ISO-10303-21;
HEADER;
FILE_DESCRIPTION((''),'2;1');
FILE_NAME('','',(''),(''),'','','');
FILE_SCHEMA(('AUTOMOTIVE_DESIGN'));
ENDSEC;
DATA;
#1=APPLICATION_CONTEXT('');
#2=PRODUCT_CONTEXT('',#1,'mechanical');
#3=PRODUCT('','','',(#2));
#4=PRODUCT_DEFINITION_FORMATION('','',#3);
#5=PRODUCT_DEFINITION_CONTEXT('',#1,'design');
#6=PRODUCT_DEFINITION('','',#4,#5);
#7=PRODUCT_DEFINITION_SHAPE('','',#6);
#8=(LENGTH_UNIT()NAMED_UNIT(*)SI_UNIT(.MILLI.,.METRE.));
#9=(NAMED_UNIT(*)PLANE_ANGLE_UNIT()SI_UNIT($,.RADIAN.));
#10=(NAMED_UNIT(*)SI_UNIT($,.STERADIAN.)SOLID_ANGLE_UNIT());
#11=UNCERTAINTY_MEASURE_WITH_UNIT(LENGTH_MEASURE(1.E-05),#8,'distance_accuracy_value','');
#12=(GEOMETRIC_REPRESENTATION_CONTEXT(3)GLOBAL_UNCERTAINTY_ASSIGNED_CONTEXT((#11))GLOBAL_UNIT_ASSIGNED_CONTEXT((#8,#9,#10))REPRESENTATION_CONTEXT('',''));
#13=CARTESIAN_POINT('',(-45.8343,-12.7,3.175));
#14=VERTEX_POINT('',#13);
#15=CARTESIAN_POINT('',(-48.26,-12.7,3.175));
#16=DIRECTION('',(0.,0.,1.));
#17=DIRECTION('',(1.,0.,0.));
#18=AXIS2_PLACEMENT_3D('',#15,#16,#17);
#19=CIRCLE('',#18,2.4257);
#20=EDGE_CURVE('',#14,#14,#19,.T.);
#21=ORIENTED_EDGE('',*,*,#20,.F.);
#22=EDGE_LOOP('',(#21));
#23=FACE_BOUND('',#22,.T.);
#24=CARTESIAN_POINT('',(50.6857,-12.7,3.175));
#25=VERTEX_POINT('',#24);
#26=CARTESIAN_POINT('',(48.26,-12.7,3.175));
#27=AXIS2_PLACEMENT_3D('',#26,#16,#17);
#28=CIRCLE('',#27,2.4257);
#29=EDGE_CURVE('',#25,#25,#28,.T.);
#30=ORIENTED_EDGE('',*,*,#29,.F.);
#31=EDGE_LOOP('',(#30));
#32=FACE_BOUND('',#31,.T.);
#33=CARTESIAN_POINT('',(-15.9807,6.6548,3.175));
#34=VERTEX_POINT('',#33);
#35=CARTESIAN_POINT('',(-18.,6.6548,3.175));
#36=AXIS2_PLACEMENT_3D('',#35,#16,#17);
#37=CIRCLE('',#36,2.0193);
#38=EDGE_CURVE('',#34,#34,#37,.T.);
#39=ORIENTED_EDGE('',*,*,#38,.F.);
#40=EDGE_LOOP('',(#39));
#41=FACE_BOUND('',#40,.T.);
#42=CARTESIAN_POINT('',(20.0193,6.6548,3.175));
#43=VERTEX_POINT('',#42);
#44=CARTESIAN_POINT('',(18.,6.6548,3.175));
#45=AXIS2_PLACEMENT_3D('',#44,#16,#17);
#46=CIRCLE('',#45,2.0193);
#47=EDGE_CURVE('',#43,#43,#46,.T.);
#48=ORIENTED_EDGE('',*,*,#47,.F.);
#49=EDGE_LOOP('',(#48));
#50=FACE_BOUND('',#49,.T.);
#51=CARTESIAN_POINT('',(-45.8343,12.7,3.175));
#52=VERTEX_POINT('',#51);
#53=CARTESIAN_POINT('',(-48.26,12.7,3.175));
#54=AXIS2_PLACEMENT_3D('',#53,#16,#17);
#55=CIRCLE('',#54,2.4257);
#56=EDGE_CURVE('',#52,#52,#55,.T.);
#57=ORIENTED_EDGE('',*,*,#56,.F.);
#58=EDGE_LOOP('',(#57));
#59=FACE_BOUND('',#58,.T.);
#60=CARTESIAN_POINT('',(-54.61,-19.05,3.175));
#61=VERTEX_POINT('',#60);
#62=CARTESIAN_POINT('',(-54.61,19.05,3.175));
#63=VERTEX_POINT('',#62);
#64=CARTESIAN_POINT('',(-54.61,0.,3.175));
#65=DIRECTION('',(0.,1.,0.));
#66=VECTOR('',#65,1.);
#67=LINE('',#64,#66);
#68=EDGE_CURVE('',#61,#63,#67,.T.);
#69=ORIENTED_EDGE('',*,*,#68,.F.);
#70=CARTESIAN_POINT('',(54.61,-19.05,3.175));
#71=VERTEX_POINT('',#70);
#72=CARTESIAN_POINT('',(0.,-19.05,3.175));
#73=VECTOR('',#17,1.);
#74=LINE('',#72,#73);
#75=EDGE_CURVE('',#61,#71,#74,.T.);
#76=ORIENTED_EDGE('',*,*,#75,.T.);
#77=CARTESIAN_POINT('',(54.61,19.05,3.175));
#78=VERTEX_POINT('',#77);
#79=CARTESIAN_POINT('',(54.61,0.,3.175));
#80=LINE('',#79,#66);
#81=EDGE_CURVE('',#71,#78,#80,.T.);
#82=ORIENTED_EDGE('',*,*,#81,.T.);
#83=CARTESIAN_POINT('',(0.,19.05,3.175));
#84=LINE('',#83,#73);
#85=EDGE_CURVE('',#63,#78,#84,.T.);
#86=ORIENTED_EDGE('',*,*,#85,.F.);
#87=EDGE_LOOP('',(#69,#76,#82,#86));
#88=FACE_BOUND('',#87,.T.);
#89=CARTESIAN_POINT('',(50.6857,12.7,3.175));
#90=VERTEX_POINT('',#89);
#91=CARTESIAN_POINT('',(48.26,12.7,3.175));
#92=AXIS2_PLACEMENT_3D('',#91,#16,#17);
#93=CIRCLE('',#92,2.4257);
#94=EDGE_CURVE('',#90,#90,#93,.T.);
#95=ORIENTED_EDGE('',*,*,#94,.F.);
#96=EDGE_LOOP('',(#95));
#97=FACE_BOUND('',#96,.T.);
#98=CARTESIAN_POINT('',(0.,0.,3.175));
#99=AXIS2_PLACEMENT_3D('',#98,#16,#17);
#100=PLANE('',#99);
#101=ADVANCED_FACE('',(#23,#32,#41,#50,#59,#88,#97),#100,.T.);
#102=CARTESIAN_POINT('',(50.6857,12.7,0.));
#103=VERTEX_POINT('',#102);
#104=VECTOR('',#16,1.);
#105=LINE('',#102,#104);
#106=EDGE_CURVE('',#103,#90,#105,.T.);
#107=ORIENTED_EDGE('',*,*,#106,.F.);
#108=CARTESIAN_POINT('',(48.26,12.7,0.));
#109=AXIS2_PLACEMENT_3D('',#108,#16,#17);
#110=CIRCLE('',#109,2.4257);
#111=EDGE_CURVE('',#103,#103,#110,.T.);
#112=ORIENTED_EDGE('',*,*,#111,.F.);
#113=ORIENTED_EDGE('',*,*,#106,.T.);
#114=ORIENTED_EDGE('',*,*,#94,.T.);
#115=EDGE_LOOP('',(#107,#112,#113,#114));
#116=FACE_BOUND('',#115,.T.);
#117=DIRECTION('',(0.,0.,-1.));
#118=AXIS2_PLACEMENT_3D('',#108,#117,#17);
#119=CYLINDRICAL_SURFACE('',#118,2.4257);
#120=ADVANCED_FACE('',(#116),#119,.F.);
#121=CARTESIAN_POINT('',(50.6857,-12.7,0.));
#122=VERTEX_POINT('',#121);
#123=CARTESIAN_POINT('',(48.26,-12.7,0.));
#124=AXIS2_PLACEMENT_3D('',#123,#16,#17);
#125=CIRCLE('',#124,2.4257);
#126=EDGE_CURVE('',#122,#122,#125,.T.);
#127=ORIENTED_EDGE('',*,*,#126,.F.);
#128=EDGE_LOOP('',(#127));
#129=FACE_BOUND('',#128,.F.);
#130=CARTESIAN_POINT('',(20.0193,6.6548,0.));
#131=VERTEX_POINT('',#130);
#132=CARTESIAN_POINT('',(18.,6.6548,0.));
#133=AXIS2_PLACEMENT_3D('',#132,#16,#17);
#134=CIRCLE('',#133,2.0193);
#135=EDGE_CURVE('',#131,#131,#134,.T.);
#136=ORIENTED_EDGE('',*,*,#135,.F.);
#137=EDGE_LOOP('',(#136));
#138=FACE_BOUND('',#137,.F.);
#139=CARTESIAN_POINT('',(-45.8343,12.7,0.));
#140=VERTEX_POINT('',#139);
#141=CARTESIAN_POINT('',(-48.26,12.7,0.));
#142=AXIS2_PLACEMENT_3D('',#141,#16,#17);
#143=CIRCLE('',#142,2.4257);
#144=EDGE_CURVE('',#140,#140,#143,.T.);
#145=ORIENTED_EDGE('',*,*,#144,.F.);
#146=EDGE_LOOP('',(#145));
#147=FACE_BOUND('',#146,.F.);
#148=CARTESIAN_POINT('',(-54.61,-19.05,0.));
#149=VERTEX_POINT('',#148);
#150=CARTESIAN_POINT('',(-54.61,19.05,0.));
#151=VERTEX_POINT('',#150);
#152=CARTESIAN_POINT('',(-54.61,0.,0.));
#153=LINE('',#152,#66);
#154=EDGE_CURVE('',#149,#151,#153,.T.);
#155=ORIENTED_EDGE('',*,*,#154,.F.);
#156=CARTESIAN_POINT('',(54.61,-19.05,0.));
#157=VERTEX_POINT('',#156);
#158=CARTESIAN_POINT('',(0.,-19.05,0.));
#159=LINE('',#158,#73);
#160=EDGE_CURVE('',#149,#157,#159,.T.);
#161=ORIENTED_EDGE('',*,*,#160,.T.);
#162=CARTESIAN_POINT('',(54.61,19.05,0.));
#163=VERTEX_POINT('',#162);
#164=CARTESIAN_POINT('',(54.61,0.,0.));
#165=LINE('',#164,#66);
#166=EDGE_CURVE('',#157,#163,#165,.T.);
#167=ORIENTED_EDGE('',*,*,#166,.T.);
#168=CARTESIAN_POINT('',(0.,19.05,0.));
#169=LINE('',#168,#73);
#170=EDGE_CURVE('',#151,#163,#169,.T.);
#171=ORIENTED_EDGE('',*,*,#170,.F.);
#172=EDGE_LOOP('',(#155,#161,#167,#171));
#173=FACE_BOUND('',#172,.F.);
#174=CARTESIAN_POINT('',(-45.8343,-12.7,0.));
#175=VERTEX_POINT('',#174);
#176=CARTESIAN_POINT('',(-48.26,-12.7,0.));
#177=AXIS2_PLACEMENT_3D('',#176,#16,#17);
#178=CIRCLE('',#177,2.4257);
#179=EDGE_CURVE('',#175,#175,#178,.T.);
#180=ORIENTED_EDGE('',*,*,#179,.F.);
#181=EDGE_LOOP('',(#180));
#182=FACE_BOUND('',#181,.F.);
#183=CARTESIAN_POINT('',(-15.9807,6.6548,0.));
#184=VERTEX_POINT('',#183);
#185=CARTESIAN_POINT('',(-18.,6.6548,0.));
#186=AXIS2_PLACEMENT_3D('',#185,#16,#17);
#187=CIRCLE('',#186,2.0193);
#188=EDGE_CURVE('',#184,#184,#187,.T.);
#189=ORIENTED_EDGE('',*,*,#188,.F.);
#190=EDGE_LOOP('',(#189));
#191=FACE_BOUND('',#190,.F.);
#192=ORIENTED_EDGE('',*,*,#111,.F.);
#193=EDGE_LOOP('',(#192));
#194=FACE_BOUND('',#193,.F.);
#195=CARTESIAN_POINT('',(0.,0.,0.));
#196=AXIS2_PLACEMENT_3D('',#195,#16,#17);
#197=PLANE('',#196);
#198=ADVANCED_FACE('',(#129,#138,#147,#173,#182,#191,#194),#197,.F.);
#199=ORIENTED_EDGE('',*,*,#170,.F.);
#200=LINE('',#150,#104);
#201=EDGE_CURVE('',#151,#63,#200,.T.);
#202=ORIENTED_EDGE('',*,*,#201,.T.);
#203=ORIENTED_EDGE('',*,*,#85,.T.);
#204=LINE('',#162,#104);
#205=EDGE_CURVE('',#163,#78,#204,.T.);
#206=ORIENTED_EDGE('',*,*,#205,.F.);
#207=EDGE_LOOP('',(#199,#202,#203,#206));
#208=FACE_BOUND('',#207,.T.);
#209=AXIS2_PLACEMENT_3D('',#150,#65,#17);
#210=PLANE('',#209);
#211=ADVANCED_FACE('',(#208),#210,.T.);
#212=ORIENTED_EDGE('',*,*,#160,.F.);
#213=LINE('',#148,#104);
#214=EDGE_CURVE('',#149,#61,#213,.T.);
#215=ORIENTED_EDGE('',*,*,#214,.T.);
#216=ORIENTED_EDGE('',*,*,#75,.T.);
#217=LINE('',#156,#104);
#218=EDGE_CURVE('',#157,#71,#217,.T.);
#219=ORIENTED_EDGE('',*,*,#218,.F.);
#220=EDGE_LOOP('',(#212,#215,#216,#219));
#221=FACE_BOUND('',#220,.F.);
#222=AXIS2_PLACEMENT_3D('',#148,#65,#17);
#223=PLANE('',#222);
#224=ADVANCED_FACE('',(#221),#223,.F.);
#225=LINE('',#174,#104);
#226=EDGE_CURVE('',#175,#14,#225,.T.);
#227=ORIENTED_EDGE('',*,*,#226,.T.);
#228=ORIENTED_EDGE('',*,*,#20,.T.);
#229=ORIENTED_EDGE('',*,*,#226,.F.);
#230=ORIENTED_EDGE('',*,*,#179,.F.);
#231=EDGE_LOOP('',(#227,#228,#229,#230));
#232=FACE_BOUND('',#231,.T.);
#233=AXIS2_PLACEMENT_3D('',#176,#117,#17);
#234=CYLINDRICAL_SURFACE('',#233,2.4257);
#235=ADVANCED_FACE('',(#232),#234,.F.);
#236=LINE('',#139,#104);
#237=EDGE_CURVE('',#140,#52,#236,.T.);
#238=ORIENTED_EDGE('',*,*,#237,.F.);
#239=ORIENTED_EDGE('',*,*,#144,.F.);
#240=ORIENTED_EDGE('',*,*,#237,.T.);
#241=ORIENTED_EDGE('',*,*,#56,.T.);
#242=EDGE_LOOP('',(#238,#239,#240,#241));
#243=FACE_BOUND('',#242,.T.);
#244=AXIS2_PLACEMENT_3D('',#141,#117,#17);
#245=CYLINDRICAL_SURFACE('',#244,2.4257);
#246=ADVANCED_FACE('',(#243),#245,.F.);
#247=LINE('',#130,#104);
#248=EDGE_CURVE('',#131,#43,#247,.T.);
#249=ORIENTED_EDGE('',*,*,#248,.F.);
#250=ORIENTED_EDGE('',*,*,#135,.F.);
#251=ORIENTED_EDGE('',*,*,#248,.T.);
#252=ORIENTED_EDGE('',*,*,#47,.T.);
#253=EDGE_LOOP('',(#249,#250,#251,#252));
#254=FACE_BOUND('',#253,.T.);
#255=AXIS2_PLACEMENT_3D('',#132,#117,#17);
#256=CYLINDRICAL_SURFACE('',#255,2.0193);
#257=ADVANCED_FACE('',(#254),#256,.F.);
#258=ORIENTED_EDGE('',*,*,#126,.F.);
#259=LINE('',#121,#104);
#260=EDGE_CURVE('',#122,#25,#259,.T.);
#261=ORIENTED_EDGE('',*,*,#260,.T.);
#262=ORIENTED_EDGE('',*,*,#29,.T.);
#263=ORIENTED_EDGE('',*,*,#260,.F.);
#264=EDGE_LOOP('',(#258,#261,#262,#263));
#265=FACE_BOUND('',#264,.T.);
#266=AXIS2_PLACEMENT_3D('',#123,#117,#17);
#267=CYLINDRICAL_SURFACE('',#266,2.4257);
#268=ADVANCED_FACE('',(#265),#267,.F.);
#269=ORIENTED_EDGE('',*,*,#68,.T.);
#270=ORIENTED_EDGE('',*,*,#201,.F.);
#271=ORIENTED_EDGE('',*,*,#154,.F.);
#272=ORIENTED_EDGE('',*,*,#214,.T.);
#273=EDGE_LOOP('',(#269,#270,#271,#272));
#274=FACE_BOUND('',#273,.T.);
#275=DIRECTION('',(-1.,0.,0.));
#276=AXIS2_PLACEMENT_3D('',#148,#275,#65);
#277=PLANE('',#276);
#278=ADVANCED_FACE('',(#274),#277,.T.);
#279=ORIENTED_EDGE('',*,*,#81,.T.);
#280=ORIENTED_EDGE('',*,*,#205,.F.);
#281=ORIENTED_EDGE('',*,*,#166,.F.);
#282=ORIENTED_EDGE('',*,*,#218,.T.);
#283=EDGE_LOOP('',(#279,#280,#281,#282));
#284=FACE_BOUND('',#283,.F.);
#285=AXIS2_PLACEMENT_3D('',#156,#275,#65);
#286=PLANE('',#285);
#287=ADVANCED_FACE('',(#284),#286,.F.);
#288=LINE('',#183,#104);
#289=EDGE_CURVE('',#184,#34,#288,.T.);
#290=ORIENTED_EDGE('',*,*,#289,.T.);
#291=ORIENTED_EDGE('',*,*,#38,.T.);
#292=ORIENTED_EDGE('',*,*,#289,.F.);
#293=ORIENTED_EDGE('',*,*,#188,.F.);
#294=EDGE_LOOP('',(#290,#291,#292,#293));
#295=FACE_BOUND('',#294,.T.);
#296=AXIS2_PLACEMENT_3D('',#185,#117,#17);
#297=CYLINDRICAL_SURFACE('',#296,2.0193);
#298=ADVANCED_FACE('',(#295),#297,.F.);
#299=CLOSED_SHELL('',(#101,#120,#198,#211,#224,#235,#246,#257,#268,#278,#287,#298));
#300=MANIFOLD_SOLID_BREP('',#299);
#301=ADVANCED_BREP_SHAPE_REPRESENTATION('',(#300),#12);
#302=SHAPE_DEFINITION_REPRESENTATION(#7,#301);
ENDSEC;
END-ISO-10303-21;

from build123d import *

# Parameters (mm, degrees)
F0_W     = 109.22
F0_H     = 38.1
F0_R     = 2.4257
F0_R_2   = 2.0193
F1_DEPTH = 3.175


with BuildPart() as f1:
    # F0 (on Top) → F1 (new body)
    with BuildSketch(Plane.XY):
        Rectangle(F0_W, F0_H)
        with Locations((-48.26, -12.7)):
            Circle(F0_R, mode=Mode.SUBTRACT)
        with Locations((48.26, -12.7)):
            Circle(F0_R, mode=Mode.SUBTRACT)
        with Locations((-18, 6.6548)):
            Circle(F0_R_2, mode=Mode.SUBTRACT)
        with Locations((-48.26, 12.7)):
            Circle(F0_R, mode=Mode.SUBTRACT)
        with Locations((18, 6.6548)):
            Circle(F0_R_2, mode=Mode.SUBTRACT)
        with Locations((48.26, 12.7)):
            Circle(F0_R, mode=Mode.SUBTRACT)
    extrude(amount=F1_DEPTH)


solid = f1.part
